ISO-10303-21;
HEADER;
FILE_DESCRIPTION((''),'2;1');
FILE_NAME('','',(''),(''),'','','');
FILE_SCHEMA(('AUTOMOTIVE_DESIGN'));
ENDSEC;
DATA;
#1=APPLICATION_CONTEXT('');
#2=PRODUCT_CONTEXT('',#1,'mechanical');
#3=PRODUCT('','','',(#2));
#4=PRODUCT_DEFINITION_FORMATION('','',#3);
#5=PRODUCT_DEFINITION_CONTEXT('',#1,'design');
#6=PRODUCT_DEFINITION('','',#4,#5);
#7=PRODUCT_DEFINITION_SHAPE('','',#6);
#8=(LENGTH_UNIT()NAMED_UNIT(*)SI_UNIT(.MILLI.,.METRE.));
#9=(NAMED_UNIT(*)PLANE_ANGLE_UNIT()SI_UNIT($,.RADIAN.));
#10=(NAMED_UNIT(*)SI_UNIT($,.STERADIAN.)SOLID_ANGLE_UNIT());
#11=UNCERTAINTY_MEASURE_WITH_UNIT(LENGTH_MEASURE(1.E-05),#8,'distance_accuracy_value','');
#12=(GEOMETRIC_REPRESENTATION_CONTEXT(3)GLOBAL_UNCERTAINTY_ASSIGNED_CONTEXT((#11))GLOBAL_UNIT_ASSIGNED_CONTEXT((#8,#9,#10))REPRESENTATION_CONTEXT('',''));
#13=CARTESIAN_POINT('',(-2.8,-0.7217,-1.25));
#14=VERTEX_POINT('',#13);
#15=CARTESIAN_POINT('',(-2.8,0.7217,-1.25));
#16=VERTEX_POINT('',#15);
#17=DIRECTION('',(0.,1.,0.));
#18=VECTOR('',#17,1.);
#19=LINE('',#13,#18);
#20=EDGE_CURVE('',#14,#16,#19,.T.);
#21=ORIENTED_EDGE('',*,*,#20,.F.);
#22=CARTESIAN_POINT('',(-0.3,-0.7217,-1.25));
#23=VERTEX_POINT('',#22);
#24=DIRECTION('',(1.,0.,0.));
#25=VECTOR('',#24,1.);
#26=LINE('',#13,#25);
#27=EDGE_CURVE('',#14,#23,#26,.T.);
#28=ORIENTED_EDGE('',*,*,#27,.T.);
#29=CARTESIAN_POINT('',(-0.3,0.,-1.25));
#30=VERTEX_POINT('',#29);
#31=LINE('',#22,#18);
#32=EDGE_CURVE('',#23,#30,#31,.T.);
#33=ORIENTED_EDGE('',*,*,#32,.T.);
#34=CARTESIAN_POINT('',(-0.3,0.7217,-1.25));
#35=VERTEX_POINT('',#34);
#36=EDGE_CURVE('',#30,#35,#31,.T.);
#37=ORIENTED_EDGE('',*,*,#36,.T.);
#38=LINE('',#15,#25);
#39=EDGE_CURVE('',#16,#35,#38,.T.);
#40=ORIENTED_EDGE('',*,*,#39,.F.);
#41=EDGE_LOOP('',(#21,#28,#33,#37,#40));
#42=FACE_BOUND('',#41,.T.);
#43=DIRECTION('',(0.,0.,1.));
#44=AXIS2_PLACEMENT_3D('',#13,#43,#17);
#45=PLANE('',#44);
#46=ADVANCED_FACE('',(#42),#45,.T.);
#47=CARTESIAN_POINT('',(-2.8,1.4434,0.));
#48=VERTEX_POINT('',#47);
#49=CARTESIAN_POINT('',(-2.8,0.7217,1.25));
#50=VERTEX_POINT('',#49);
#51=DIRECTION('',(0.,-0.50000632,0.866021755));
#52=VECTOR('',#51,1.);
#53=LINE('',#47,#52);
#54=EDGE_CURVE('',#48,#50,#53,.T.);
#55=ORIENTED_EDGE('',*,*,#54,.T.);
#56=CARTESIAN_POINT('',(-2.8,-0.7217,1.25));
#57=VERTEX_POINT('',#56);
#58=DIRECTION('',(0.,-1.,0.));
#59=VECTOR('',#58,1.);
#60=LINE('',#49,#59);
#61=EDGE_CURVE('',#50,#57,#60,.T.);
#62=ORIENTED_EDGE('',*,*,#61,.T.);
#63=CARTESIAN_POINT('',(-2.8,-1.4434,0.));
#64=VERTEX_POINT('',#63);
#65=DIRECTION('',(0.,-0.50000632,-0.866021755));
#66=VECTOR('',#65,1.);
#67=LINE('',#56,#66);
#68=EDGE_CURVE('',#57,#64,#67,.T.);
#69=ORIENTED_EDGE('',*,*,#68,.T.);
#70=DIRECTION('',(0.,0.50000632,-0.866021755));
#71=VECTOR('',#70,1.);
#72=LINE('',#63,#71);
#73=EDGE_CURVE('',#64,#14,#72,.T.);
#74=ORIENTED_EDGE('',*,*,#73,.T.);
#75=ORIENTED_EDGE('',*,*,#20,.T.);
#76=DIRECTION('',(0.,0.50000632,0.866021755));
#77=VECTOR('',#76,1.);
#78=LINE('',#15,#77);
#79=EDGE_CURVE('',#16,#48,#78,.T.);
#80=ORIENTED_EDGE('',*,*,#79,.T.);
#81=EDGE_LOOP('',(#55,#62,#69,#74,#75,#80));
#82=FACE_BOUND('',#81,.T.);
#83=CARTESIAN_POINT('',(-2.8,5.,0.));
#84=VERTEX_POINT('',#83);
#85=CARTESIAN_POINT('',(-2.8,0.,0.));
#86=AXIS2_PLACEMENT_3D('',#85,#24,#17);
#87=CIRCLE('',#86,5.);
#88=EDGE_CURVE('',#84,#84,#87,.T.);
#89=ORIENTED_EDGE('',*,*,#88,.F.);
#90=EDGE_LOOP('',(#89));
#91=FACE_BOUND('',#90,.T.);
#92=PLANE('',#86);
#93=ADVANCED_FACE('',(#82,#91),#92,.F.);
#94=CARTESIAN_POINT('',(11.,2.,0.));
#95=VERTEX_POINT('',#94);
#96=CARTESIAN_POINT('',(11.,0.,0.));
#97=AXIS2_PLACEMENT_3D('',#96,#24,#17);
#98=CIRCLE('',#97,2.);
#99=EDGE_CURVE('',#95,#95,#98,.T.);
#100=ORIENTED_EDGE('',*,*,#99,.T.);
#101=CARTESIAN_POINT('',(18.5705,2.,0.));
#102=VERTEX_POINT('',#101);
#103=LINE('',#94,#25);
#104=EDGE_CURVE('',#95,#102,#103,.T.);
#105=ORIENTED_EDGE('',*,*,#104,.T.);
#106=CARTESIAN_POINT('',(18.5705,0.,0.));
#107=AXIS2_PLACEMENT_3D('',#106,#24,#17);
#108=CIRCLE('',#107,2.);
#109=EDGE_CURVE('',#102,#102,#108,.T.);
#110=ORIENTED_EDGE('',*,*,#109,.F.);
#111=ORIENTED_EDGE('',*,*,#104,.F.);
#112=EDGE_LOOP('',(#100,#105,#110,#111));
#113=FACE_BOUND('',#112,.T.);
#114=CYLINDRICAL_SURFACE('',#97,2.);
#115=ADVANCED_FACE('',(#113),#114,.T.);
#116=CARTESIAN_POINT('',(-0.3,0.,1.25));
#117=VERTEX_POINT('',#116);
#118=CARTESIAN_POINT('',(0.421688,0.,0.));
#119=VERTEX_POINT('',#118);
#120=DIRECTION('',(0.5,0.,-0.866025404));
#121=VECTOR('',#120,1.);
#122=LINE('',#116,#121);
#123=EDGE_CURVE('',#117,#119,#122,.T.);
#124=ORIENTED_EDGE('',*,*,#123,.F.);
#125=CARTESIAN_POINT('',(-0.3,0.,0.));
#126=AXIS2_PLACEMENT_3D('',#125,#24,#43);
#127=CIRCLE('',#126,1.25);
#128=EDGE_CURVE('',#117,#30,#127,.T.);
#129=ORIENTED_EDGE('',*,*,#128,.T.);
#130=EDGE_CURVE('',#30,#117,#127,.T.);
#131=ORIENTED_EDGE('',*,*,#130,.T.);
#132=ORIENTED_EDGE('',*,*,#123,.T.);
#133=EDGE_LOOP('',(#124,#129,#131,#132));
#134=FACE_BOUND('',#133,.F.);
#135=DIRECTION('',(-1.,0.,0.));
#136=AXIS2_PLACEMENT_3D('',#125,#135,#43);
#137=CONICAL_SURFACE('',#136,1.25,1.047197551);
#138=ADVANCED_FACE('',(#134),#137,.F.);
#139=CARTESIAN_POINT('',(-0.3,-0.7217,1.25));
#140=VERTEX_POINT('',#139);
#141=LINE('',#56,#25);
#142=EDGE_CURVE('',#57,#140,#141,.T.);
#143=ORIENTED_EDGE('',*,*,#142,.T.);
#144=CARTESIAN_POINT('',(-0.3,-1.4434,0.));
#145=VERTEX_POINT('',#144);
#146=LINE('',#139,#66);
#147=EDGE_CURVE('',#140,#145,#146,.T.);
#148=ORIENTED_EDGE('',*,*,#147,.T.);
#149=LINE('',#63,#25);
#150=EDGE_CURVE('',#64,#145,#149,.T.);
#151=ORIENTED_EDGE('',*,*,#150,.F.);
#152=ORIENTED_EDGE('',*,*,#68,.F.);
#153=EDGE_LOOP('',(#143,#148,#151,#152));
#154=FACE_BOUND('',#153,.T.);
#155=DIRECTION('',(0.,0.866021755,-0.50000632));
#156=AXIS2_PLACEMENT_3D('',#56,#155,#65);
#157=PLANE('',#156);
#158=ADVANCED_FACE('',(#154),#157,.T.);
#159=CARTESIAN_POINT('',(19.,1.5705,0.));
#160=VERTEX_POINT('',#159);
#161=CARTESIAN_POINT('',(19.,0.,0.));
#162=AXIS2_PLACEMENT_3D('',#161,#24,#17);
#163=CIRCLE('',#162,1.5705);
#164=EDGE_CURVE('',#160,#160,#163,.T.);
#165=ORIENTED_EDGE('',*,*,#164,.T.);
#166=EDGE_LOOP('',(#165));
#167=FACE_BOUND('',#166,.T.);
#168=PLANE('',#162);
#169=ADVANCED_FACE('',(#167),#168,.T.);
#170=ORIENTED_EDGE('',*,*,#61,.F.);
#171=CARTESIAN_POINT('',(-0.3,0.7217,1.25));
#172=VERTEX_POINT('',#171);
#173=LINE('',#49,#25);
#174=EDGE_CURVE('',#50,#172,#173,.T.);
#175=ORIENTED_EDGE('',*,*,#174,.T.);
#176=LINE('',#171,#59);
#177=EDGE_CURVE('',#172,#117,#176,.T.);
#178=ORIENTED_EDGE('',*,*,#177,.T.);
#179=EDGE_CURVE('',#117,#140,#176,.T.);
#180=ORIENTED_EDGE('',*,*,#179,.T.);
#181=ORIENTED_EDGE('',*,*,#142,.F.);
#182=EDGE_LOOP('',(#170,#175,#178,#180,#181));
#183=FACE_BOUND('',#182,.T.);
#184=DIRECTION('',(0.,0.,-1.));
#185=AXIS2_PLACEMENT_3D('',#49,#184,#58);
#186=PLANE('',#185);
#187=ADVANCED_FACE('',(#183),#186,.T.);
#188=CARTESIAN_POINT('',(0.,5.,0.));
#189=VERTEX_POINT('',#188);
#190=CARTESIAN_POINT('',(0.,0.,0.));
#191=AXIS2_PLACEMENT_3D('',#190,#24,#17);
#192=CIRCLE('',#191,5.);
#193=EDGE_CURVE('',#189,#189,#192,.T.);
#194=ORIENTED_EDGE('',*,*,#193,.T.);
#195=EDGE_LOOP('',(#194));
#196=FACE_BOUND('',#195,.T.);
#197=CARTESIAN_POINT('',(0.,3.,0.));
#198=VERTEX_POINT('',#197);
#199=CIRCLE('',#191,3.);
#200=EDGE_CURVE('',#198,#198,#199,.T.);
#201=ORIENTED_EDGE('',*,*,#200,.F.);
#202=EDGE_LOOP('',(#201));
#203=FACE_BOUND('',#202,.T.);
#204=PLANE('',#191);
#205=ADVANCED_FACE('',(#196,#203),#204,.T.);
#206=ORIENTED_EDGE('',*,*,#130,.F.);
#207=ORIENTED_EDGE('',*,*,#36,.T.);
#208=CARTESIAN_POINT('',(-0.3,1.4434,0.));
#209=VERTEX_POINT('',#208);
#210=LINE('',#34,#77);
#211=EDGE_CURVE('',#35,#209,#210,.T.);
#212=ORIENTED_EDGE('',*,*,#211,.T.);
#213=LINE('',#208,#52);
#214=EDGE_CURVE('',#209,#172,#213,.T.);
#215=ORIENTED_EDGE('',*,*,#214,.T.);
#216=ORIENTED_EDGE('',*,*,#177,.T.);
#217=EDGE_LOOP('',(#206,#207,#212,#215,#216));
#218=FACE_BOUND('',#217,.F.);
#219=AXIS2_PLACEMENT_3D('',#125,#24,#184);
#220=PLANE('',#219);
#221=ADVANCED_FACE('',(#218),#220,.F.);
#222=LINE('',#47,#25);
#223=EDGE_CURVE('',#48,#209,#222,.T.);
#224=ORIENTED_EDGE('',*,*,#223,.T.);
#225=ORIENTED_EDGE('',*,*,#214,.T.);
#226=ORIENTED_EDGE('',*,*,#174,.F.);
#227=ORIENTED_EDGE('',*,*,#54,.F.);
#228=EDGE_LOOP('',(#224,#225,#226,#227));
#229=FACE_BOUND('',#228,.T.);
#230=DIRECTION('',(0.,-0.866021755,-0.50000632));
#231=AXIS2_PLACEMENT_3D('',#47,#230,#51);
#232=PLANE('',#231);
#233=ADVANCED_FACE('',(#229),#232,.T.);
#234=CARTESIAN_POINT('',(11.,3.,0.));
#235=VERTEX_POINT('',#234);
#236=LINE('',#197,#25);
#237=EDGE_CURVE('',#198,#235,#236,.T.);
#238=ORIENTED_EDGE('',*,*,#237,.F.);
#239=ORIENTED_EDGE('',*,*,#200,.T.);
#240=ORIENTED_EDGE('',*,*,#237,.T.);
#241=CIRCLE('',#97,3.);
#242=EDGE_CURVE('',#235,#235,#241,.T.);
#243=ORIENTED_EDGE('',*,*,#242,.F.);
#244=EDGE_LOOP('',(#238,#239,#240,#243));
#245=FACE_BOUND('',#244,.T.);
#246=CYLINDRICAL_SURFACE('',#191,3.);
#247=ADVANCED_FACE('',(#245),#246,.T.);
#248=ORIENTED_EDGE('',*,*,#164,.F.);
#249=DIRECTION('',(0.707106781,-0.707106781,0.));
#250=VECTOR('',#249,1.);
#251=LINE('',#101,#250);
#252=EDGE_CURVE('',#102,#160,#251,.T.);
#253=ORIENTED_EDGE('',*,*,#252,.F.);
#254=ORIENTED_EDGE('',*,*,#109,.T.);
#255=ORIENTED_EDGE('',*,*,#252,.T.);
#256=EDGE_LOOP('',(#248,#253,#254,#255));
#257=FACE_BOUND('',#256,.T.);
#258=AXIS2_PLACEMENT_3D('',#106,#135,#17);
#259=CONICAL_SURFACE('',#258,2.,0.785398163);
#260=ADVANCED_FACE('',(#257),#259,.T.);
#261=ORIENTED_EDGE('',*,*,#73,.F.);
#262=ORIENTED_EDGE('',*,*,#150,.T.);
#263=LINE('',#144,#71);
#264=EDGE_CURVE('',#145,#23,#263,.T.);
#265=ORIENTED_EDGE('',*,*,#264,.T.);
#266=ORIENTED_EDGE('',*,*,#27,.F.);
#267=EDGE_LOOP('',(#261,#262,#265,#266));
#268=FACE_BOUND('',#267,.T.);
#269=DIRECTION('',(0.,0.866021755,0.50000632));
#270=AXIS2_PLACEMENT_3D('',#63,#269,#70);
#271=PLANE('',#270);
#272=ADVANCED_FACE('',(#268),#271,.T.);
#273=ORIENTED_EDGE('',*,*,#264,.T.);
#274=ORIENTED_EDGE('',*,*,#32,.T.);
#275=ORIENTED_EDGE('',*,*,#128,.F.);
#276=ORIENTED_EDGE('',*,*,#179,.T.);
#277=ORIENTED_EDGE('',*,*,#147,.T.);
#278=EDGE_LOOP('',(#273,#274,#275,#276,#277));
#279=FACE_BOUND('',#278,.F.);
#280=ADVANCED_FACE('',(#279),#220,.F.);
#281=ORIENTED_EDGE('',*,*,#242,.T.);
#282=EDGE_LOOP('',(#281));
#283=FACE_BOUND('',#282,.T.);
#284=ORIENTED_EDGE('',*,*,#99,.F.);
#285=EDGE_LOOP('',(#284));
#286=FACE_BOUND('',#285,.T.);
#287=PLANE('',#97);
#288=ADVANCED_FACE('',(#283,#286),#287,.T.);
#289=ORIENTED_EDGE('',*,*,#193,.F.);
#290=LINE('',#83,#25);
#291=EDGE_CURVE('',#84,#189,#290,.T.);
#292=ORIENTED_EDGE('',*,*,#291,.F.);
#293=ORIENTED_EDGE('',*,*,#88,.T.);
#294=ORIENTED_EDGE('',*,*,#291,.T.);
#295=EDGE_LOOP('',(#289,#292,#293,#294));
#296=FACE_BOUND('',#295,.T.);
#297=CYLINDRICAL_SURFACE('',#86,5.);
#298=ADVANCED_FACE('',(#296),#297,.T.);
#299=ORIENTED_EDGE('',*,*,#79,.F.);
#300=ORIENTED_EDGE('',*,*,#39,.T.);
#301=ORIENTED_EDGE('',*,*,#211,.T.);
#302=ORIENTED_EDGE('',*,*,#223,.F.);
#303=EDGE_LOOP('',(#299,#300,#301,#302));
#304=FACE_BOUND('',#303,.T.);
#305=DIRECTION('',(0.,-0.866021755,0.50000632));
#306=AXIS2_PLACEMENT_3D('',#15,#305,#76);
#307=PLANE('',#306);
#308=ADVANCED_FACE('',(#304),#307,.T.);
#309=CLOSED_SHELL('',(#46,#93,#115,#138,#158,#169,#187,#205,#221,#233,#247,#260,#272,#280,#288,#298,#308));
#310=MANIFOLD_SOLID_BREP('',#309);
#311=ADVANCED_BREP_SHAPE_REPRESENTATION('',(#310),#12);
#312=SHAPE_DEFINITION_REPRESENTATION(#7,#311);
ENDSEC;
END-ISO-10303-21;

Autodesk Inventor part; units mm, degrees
ref_plane "YZ Plane" through (0, 0, 0) normal (1, 0, 0) x (0, 1, 0)
ref_plane "XZ Plane" through (0, 0, 0) normal (0, 1, 0) x (-1, 0, 0)
ref_plane "XY Plane" through (0, 0, 0) normal (0, 0, 1) x (1, 0, 0)
sketch "Sketch_1" plane through (0, 0, 0) normal (0, 0, 1) x (1, 0, 0)
  line L0 (11, 0) -> (-2.8, 0)
  line L1 (-2.8, 0) -> (-2.8, 5)
  line L2 (-2.8, 5) -> (0, 5)
  line L3 (0, 5) -> (0, 3)
  line L4 (0, 3) -> (11, 3)
  line L5 (11, 3) -> (11, 0)
  line L6 (11, 0) -> (-2.8, 0)
revolve "Revolution1" add sketch "Sketch_1" angle 360 about axis through (11, 0, 0) along (1, 0, 0)
sketch "Sketch2" plane through (-2.8, 0, 0) normal (-1, 0, 0) x (0, 0, 1)
  point P0 (0, 0)
hole "Hole1" at (-2.8, 0, 0) direction (1, 0, 0) diameter 2.5 depth 2.5 tip angle 120
sketch "Sketch_3" plane through (-2.8, 0, 0) normal (1, 0, 0) x (0, 0, -1)
  line L0 (-1.25, -0.7217) -> (0, -1.4434)
  line L1 (0, -1.4434) -> (1.25, -0.7217)
  line L2 (1.25, -0.7217) -> (1.25, 0.7217)
  line L3 (1.25, 0.7217) -> (0, 1.4434)
  line L4 (0, 1.4434) -> (-1.25, 0.7217)
  line L5 (-1.25, 0.7217) -> (-1.25, -0.7217)
extrude "Extrusion1" cut sketch "Sketch_3" along normal blind 2.5
sketch "Sketch_6" plane through (0, 0, 0) normal (0, 0, 1) x (1, 0, 0)
  line L0 (19, 0) -> (11, 0)
  line L1 (11, 0) -> (11, 2)
  line L2 (11, 2) -> (18.5705, 2)
  line L3 (18.5705, 2) -> (19, 1.5705)
  line L4 (19, 1.5705) -> (19, 0)
  line L5 (19, 0) -> (11, 0)
revolve "Revolution2" add sketch "Sketch_6" angle 360 about axis through (19, 0, 0) along (1, 0, 0)
thread "Thread1" size "M4x0.7" class "6g" standard "ISO Metric profile" length 6.3705
properties part number "DBTS4-11-8"
